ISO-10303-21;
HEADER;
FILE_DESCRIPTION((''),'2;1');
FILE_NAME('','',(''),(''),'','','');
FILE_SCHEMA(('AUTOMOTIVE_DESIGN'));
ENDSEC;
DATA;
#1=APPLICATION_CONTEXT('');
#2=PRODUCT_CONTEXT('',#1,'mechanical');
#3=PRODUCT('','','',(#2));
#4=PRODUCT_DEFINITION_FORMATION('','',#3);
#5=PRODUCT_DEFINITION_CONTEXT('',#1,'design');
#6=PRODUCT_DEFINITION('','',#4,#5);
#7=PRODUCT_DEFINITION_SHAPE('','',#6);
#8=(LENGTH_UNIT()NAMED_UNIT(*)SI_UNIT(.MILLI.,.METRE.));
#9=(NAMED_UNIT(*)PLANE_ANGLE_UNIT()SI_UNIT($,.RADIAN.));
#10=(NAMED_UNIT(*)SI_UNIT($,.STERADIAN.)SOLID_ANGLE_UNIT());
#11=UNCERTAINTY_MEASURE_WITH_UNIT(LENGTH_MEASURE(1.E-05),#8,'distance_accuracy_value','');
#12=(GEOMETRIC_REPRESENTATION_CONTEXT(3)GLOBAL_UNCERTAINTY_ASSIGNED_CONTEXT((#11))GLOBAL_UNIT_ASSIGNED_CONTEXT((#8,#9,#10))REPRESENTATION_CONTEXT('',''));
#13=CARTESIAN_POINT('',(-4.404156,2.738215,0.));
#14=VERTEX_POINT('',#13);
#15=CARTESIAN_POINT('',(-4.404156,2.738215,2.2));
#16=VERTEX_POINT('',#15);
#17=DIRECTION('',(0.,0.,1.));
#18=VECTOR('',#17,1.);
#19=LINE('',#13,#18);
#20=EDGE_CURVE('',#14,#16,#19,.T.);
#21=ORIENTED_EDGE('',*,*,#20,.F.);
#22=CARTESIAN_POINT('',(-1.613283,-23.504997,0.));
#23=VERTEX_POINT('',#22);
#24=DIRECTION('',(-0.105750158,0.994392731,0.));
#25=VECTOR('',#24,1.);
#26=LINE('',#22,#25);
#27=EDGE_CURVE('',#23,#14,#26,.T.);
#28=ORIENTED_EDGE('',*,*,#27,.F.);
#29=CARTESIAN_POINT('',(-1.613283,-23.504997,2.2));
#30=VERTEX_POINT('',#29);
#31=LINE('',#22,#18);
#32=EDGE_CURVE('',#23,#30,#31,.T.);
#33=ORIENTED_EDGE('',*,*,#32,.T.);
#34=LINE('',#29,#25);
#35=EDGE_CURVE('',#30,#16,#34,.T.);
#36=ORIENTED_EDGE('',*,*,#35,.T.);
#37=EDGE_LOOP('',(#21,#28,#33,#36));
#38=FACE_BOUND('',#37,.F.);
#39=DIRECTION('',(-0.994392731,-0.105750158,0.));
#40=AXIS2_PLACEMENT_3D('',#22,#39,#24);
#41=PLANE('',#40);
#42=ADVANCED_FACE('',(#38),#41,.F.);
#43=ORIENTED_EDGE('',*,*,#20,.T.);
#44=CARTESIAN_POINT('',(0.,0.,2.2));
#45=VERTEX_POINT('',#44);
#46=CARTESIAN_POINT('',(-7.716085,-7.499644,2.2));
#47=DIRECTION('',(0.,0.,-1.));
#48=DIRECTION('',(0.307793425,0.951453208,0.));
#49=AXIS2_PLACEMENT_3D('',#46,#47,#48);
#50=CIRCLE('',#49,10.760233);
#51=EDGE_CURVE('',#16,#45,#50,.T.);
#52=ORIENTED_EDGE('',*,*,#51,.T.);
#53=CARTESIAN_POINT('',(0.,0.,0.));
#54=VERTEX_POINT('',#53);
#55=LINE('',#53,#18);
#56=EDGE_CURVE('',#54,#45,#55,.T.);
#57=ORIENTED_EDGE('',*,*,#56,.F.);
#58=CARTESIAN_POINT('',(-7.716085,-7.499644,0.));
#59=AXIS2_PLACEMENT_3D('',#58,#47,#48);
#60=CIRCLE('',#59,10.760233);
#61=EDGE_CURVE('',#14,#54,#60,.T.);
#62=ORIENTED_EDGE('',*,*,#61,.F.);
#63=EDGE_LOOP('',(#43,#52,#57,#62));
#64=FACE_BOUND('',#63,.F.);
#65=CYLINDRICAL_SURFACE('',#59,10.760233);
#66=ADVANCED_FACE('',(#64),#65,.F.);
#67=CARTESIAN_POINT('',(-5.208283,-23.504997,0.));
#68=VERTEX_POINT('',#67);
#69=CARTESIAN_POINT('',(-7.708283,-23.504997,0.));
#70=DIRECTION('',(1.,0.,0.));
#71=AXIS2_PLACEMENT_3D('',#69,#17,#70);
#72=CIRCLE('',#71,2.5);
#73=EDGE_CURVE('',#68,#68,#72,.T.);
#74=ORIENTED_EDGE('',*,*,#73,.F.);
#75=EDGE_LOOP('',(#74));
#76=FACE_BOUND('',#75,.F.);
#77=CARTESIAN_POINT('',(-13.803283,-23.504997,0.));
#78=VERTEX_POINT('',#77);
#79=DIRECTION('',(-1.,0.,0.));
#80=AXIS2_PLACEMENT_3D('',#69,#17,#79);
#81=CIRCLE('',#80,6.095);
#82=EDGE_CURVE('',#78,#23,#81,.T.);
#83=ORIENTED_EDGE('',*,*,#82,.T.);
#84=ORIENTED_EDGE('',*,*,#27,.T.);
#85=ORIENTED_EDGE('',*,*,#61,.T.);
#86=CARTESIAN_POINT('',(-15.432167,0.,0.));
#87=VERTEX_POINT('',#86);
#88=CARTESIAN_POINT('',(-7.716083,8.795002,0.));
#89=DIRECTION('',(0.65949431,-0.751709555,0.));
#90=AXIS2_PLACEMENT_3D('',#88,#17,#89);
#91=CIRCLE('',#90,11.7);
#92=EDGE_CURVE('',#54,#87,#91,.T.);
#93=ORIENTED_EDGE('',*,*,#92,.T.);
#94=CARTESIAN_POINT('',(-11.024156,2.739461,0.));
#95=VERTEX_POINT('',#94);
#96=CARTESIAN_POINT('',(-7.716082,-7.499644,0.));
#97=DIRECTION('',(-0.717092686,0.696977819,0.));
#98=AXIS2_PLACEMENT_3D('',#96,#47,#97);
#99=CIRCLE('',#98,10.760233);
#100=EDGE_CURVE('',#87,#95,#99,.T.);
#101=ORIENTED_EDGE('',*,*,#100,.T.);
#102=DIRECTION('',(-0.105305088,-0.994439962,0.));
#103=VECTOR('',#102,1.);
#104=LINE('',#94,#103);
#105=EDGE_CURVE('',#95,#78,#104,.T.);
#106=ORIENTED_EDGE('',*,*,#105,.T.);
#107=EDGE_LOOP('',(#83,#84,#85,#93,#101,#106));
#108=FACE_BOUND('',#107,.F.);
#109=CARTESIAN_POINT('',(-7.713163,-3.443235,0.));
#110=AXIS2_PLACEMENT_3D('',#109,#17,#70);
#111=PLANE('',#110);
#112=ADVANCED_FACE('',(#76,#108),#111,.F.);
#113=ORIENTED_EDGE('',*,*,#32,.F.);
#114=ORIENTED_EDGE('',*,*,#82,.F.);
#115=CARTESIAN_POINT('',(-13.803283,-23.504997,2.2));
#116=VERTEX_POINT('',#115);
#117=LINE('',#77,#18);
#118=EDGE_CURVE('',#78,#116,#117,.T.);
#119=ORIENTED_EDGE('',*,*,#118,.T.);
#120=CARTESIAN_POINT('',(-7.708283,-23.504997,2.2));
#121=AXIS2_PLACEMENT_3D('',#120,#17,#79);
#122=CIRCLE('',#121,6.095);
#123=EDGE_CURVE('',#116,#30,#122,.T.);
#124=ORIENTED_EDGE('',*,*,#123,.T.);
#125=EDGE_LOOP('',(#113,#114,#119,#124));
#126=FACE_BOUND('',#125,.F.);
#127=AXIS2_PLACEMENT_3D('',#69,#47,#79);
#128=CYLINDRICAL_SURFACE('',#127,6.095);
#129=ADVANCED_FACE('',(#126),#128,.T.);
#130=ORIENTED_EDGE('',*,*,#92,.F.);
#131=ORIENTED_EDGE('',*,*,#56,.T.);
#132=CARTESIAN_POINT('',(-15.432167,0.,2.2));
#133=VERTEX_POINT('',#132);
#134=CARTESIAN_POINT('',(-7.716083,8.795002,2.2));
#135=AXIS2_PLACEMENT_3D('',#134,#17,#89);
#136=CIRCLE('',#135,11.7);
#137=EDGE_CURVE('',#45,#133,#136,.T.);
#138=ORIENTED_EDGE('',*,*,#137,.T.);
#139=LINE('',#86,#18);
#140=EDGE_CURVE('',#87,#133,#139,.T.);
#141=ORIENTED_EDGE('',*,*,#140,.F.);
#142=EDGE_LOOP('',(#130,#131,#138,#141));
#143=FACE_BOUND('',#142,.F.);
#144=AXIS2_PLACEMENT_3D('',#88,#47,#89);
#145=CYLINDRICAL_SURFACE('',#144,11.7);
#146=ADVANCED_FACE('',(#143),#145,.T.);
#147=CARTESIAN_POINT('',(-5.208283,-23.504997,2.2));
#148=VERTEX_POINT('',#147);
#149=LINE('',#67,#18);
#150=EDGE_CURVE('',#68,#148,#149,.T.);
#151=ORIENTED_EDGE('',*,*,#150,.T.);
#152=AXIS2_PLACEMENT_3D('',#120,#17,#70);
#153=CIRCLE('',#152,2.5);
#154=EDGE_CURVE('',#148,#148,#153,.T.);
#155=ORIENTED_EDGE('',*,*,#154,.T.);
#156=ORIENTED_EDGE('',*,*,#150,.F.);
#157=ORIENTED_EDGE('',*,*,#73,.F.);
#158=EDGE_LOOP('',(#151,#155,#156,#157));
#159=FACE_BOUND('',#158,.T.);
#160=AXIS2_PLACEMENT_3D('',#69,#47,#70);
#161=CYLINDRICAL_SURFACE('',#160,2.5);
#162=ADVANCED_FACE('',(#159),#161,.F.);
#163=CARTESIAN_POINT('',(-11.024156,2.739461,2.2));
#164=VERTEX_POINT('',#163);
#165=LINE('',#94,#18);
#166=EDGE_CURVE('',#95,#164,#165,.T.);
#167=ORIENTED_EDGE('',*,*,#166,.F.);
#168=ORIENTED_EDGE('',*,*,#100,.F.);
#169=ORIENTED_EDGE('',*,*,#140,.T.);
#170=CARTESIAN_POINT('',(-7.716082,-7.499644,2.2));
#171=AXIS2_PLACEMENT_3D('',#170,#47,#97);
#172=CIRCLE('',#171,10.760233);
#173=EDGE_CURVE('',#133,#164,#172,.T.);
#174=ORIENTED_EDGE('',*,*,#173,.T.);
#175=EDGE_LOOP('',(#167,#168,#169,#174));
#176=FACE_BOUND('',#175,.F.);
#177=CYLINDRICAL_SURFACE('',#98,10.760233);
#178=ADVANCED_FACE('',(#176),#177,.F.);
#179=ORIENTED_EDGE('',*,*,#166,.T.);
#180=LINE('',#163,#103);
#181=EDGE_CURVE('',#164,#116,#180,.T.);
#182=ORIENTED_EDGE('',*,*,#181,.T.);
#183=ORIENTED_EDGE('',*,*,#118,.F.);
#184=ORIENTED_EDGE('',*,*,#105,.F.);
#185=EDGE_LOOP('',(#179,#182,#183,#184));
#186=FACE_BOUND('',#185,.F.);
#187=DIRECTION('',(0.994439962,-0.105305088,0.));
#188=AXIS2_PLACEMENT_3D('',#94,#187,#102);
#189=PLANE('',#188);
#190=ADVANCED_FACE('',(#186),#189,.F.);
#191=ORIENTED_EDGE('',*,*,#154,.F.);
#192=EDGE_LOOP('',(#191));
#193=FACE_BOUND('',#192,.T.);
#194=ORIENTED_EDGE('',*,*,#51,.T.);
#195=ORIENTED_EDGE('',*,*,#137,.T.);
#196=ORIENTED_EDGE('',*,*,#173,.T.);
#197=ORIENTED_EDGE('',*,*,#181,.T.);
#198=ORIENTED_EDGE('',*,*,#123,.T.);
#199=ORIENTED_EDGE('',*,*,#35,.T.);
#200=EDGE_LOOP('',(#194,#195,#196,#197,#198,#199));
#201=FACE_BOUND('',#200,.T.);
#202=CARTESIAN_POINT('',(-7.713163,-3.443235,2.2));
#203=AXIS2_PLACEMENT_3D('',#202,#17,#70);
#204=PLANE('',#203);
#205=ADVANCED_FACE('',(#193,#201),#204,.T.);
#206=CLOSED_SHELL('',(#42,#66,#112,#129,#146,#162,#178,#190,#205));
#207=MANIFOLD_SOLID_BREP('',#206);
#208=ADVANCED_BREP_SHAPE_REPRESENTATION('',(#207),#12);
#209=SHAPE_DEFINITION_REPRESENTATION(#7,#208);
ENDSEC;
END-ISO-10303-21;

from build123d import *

# Parameters (mm, degrees)
F0_R     = 2.5
F1_DEPTH = 2.2


with BuildPart() as f1:
    # F0 (on Top) → F1 (new body)
    with BuildSketch(Plane.XY):
        with BuildLine():
            ThreePointArc((-4.404156, 2.738215), (-2.034648, 1.638403), (0, 0))
            ThreePointArc((0, 0), (-7.716083, 20.495002), (-15.432167, 0))
            ThreePointArc((-15.432167, 0), (-13.395799, 1.639472), (-11.024156, 2.739461))
            Line((-11.024156, 2.739461), (-13.803283, -23.504997))
            ThreePointArc((-13.803283, -23.504997), (-7.708283, -29.599997), (-1.613283, -23.504997))
            Line((-1.613283, -23.504997), (-4.404156, 2.738215))
        make_face()
        with Locations((-7.708283, -23.504997)):
            Circle(F0_R, mode=Mode.SUBTRACT)
    extrude(amount=F1_DEPTH)


solid = f1.part
